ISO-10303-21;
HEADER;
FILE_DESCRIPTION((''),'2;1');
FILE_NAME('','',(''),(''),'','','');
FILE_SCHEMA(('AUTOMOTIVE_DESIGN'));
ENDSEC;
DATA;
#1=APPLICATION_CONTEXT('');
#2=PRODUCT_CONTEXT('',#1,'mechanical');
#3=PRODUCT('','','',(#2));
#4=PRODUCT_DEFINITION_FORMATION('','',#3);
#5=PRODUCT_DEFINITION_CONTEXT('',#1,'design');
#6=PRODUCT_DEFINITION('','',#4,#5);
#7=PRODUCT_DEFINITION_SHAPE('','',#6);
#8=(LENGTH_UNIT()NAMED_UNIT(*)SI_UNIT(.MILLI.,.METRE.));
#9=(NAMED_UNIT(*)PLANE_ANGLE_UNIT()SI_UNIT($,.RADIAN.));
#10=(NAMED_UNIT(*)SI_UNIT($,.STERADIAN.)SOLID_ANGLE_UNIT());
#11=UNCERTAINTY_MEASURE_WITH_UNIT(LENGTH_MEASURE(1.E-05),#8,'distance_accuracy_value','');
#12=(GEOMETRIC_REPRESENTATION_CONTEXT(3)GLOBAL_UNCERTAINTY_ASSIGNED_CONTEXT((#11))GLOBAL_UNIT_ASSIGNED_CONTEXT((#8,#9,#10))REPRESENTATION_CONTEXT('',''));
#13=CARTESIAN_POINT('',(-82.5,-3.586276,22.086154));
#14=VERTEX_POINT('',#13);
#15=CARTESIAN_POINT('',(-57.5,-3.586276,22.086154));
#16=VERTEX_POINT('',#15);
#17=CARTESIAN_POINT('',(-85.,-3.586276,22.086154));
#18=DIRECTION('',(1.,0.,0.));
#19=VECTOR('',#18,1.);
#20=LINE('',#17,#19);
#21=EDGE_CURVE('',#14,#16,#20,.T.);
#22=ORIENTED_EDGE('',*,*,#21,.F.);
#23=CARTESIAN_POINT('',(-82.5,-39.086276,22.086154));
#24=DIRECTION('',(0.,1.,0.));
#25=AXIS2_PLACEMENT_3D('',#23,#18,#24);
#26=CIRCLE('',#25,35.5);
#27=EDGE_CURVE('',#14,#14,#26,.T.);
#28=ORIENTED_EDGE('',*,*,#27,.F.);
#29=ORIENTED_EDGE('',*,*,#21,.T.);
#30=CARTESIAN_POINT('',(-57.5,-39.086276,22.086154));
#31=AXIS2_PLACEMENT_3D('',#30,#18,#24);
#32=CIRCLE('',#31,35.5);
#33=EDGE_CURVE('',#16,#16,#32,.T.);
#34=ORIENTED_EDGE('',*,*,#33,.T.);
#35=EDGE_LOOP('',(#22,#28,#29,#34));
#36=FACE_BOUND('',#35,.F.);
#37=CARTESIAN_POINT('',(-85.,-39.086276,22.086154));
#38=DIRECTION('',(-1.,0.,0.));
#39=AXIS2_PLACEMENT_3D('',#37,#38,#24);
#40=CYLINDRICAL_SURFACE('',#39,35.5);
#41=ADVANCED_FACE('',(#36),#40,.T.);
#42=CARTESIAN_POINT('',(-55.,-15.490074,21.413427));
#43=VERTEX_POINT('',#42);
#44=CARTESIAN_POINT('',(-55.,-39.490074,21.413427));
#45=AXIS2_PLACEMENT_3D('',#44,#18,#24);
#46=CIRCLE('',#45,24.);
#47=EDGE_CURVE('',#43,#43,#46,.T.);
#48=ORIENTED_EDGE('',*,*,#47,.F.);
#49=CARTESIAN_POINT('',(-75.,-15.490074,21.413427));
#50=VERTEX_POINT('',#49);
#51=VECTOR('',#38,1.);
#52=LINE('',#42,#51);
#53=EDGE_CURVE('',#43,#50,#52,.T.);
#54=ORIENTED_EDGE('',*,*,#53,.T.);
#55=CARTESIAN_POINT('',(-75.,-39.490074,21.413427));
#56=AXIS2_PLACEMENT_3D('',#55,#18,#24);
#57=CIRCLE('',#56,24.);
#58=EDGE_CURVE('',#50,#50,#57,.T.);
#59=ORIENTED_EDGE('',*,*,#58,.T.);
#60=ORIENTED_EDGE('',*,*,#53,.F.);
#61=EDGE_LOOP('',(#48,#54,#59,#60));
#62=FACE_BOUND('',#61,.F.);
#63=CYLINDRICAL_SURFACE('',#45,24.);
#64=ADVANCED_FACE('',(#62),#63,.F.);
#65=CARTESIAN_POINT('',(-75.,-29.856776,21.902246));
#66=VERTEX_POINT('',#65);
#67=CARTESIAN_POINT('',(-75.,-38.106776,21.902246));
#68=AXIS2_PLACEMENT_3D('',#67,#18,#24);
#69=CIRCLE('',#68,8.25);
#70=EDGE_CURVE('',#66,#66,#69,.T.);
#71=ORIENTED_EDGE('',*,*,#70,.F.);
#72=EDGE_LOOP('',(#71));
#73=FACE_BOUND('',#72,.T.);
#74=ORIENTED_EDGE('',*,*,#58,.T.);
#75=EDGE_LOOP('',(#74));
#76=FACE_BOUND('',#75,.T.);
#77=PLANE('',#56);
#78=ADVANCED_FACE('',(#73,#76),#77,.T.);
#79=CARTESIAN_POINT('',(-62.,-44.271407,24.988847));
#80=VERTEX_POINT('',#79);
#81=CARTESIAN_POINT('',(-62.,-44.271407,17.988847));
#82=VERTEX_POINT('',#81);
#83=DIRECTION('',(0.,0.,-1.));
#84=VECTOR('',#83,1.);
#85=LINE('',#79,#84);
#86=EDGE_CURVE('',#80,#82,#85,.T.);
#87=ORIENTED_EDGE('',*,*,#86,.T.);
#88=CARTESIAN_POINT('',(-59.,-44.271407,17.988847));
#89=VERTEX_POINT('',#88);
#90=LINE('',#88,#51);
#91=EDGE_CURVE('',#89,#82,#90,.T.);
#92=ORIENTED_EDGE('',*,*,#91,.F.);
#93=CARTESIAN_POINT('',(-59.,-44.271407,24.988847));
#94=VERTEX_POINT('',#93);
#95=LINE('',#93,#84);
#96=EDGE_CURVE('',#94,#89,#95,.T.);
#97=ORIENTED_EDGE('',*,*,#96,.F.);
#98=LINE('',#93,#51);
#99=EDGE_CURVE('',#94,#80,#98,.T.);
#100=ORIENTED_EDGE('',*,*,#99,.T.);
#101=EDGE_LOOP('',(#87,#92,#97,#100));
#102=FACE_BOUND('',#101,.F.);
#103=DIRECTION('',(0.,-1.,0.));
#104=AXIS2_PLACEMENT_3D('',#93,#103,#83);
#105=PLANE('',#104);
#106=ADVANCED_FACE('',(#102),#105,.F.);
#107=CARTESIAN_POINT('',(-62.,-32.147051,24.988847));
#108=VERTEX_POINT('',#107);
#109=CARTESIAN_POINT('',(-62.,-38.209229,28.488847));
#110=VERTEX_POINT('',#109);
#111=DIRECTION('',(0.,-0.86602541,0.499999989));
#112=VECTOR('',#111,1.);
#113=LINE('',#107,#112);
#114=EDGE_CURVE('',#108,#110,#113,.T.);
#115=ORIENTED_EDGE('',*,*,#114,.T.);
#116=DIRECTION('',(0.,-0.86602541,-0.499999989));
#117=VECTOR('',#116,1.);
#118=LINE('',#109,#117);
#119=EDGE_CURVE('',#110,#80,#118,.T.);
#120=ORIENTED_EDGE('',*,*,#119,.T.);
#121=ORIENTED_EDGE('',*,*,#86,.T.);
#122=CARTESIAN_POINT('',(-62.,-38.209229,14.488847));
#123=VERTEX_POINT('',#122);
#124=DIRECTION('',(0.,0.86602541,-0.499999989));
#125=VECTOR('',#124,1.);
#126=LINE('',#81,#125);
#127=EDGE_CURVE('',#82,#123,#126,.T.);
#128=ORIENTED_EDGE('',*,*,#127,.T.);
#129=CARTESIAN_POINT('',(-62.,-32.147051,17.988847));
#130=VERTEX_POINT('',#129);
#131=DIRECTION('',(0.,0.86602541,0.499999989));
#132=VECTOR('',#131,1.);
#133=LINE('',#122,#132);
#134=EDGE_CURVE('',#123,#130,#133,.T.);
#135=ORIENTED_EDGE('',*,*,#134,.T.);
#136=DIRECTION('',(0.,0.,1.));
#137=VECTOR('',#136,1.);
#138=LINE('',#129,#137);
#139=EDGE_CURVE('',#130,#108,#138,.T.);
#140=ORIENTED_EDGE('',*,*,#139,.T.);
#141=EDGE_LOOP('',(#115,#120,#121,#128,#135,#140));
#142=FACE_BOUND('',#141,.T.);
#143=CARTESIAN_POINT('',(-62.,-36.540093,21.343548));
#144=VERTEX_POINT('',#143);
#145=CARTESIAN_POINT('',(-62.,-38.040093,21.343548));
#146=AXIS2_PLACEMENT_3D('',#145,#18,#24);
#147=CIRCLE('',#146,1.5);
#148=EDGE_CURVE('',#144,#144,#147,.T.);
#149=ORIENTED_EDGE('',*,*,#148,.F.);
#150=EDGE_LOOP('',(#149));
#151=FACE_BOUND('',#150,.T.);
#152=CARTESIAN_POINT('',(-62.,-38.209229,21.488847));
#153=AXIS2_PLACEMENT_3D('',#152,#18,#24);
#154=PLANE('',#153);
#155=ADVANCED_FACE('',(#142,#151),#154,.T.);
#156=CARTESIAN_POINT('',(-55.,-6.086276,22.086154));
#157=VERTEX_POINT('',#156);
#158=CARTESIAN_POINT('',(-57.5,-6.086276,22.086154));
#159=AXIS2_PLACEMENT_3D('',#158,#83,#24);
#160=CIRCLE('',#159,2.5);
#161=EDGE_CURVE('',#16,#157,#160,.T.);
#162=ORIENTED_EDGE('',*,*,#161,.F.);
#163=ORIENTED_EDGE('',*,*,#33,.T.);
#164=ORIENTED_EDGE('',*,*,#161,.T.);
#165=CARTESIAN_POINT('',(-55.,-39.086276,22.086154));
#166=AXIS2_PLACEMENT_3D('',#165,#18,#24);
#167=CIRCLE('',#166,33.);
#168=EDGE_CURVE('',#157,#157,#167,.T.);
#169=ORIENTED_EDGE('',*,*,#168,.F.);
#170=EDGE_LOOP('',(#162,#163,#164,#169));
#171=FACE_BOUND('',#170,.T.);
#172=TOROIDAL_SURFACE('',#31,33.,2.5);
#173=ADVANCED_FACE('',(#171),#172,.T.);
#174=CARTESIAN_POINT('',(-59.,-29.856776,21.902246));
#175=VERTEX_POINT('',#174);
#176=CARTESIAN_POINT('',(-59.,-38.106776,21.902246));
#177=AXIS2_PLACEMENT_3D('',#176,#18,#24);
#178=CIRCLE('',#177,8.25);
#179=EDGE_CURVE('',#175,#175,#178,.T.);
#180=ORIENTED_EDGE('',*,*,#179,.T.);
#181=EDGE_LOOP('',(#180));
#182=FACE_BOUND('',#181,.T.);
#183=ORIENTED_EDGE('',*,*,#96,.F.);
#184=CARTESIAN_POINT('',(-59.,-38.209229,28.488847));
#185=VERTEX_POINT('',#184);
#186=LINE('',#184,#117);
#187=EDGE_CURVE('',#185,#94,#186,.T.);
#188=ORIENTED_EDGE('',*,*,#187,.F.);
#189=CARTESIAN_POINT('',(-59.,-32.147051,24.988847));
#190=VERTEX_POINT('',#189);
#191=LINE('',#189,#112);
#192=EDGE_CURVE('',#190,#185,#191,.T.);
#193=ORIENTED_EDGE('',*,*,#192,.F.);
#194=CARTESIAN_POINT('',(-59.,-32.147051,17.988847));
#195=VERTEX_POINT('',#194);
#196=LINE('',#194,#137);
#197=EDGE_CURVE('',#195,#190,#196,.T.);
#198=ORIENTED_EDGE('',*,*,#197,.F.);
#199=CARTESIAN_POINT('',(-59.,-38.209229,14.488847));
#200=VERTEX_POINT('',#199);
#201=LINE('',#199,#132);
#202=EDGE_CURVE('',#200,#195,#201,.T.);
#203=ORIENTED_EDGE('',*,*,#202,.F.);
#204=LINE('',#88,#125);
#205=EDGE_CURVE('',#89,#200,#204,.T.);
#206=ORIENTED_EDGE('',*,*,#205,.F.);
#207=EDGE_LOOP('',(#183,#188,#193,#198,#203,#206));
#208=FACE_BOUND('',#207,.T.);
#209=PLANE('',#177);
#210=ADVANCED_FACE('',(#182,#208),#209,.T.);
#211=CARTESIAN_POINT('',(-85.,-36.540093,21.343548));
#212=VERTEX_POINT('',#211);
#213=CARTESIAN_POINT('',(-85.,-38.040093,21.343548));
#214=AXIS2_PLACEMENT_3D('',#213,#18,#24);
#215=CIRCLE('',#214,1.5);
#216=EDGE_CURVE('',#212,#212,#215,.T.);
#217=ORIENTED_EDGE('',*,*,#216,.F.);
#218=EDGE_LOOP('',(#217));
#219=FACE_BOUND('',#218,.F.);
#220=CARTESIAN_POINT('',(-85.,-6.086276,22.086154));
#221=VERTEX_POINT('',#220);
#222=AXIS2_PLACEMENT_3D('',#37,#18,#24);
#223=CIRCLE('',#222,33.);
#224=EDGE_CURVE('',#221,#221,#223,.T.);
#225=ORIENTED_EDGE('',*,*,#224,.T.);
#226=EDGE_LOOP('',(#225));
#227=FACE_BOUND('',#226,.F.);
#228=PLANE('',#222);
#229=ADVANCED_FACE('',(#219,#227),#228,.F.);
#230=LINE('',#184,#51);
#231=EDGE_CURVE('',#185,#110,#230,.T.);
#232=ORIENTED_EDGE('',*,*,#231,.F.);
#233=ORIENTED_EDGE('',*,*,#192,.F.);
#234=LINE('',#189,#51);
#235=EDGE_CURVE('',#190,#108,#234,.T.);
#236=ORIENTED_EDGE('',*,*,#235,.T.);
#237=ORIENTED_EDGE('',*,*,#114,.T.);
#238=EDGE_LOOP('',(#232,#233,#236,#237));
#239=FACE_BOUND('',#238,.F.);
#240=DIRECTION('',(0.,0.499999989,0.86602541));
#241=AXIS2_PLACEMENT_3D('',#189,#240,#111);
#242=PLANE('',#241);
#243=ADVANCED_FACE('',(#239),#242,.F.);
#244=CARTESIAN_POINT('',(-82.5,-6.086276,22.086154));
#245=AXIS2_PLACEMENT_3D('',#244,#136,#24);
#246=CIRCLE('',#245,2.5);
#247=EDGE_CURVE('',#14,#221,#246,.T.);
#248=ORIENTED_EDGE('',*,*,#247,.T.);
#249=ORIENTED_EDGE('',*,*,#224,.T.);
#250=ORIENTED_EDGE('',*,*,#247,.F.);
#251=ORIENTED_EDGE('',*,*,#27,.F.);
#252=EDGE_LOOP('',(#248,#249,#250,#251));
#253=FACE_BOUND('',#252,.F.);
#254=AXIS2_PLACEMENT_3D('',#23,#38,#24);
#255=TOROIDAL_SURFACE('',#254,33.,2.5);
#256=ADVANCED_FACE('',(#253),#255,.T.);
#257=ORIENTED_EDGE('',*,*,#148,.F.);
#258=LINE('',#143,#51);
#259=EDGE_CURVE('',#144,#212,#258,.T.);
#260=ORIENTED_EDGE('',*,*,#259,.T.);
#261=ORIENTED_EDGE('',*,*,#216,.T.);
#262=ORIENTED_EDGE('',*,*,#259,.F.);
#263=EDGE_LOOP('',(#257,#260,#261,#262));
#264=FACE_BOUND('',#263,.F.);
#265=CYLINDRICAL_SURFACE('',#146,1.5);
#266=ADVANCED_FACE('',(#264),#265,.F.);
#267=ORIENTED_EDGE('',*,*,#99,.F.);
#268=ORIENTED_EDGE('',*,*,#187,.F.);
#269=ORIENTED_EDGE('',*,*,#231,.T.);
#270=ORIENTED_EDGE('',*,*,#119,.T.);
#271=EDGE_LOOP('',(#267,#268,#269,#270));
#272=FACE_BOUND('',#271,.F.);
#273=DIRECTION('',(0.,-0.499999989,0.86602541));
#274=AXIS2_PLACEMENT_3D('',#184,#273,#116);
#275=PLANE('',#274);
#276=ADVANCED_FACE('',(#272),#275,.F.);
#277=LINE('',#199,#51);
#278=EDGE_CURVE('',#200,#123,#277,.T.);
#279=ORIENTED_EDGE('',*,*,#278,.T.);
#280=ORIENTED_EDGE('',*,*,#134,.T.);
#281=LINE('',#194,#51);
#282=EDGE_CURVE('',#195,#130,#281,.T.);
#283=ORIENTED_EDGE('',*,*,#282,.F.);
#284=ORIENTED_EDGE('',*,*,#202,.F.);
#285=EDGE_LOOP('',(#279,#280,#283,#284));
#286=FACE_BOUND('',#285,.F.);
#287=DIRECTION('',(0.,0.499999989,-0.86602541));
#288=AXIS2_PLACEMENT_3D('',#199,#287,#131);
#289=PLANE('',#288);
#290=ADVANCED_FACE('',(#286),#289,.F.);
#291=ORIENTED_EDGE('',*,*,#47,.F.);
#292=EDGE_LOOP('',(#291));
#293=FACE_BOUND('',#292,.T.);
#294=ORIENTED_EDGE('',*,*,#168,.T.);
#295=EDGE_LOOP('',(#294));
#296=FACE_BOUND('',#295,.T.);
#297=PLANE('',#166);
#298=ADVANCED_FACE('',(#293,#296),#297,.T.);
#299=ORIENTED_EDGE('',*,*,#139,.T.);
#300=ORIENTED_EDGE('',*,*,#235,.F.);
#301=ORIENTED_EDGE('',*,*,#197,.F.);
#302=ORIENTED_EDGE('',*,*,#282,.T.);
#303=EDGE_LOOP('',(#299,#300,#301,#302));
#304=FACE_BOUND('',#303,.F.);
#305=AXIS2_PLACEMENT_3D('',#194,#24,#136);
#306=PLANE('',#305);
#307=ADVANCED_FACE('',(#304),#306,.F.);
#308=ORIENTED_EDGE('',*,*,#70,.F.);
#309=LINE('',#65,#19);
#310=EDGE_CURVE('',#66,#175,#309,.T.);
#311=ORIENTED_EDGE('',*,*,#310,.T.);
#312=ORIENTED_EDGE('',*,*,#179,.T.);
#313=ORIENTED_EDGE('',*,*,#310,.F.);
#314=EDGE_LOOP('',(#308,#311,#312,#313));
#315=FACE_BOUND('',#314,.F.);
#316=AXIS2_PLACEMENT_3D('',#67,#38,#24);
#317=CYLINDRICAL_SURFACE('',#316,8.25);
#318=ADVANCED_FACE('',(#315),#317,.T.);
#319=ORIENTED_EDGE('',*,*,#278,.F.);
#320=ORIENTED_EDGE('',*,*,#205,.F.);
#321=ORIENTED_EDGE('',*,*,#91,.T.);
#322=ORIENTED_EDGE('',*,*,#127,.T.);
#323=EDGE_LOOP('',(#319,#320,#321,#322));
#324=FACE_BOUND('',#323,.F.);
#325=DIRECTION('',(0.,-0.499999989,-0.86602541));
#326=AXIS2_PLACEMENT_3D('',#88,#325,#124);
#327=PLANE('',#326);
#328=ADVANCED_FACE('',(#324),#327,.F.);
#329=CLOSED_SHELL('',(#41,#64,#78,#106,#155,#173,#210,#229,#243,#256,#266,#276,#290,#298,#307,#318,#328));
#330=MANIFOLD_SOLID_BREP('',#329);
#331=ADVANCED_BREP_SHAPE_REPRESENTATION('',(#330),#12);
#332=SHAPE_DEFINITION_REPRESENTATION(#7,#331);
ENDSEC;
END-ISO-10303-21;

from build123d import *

# Parameters (mm, degrees)
SKETCH013_R     = 35.5
PAD009_DEPTH    = 30
FILLET002_R     = 2.5
FILLET003_R     = 2.5
SKETCH014_R     = 24
POCKET004_DEPTH = 20
SKETCH015_R     = 8.25
PAD010_DEPTH    = 16
POCKET005_DEPTH = 3
SKETCH017_R     = 1.5
POCKET006_DEPTH = 25


with BuildPart() as part:
    # Sketch013 → Pad009 (new body)
    with BuildSketch(Plane.YZ):
        with Locations((-2.086276, 2.086154)):
            Circle(SKETCH013_R)
    extrude(amount=PAD009_DEPTH)

    # Fillet002
    fillet002_edges = [part.edges().sort_by_distance(p)[0] for p in [
        (30, -37.586276, 2.086154),
    ]]
    fillet(fillet002_edges, radius=FILLET002_R)

    # Fillet003
    fillet003_edges = [part.edges().sort_by_distance(p)[0] for p in [
        (0, -37.586276, 2.086154),
    ]]
    fillet(fillet003_edges, radius=FILLET003_R)

    # Sketch014 (on Face3 of Pad009) → Pocket004 (cut)
    with BuildSketch(Plane.YZ.offset(30)):
        with Locations((-2.490074, 1.413427)):
            Circle(SKETCH014_R)
    extrude(amount=-POCKET004_DEPTH, mode=Mode.SUBTRACT)

    # Sketch015 (on Face7 of Pocket004) → Pad010 (join)
    with BuildSketch(Plane.YZ.offset(10)):
        with Locations((-1.106776, 1.902246)):
            Circle(SKETCH015_R)
    extrude(amount=PAD010_DEPTH)

    # Sketch016 (on Face9 of Pad010) → Pocket005 (cut)
    with BuildSketch(Plane.YZ.offset(26)):
        Polygon((4.852949, 4.988847), (-1.209229, 8.488847), (-7.271407, 4.988847), (-7.271407, -2.011153), (-1.209229, -5.511153), (4.852949, -2.011153), align=None)
    extrude(amount=-POCKET005_DEPTH, mode=Mode.SUBTRACT)

    # Sketch017 (on Face16 of Pocket005) → Pocket006 (cut)
    with BuildSketch(Plane.YZ.offset(23)):
        with Locations((-1.040093, 1.343548)):
            Circle(SKETCH017_R)
    extrude(amount=-POCKET006_DEPTH, mode=Mode.SUBTRACT)


with BuildPart() as part_1:
    # Body004 placement: moved
    add(part.part.moved(Location((-85, -37, 20))))


solid = part_1.part
